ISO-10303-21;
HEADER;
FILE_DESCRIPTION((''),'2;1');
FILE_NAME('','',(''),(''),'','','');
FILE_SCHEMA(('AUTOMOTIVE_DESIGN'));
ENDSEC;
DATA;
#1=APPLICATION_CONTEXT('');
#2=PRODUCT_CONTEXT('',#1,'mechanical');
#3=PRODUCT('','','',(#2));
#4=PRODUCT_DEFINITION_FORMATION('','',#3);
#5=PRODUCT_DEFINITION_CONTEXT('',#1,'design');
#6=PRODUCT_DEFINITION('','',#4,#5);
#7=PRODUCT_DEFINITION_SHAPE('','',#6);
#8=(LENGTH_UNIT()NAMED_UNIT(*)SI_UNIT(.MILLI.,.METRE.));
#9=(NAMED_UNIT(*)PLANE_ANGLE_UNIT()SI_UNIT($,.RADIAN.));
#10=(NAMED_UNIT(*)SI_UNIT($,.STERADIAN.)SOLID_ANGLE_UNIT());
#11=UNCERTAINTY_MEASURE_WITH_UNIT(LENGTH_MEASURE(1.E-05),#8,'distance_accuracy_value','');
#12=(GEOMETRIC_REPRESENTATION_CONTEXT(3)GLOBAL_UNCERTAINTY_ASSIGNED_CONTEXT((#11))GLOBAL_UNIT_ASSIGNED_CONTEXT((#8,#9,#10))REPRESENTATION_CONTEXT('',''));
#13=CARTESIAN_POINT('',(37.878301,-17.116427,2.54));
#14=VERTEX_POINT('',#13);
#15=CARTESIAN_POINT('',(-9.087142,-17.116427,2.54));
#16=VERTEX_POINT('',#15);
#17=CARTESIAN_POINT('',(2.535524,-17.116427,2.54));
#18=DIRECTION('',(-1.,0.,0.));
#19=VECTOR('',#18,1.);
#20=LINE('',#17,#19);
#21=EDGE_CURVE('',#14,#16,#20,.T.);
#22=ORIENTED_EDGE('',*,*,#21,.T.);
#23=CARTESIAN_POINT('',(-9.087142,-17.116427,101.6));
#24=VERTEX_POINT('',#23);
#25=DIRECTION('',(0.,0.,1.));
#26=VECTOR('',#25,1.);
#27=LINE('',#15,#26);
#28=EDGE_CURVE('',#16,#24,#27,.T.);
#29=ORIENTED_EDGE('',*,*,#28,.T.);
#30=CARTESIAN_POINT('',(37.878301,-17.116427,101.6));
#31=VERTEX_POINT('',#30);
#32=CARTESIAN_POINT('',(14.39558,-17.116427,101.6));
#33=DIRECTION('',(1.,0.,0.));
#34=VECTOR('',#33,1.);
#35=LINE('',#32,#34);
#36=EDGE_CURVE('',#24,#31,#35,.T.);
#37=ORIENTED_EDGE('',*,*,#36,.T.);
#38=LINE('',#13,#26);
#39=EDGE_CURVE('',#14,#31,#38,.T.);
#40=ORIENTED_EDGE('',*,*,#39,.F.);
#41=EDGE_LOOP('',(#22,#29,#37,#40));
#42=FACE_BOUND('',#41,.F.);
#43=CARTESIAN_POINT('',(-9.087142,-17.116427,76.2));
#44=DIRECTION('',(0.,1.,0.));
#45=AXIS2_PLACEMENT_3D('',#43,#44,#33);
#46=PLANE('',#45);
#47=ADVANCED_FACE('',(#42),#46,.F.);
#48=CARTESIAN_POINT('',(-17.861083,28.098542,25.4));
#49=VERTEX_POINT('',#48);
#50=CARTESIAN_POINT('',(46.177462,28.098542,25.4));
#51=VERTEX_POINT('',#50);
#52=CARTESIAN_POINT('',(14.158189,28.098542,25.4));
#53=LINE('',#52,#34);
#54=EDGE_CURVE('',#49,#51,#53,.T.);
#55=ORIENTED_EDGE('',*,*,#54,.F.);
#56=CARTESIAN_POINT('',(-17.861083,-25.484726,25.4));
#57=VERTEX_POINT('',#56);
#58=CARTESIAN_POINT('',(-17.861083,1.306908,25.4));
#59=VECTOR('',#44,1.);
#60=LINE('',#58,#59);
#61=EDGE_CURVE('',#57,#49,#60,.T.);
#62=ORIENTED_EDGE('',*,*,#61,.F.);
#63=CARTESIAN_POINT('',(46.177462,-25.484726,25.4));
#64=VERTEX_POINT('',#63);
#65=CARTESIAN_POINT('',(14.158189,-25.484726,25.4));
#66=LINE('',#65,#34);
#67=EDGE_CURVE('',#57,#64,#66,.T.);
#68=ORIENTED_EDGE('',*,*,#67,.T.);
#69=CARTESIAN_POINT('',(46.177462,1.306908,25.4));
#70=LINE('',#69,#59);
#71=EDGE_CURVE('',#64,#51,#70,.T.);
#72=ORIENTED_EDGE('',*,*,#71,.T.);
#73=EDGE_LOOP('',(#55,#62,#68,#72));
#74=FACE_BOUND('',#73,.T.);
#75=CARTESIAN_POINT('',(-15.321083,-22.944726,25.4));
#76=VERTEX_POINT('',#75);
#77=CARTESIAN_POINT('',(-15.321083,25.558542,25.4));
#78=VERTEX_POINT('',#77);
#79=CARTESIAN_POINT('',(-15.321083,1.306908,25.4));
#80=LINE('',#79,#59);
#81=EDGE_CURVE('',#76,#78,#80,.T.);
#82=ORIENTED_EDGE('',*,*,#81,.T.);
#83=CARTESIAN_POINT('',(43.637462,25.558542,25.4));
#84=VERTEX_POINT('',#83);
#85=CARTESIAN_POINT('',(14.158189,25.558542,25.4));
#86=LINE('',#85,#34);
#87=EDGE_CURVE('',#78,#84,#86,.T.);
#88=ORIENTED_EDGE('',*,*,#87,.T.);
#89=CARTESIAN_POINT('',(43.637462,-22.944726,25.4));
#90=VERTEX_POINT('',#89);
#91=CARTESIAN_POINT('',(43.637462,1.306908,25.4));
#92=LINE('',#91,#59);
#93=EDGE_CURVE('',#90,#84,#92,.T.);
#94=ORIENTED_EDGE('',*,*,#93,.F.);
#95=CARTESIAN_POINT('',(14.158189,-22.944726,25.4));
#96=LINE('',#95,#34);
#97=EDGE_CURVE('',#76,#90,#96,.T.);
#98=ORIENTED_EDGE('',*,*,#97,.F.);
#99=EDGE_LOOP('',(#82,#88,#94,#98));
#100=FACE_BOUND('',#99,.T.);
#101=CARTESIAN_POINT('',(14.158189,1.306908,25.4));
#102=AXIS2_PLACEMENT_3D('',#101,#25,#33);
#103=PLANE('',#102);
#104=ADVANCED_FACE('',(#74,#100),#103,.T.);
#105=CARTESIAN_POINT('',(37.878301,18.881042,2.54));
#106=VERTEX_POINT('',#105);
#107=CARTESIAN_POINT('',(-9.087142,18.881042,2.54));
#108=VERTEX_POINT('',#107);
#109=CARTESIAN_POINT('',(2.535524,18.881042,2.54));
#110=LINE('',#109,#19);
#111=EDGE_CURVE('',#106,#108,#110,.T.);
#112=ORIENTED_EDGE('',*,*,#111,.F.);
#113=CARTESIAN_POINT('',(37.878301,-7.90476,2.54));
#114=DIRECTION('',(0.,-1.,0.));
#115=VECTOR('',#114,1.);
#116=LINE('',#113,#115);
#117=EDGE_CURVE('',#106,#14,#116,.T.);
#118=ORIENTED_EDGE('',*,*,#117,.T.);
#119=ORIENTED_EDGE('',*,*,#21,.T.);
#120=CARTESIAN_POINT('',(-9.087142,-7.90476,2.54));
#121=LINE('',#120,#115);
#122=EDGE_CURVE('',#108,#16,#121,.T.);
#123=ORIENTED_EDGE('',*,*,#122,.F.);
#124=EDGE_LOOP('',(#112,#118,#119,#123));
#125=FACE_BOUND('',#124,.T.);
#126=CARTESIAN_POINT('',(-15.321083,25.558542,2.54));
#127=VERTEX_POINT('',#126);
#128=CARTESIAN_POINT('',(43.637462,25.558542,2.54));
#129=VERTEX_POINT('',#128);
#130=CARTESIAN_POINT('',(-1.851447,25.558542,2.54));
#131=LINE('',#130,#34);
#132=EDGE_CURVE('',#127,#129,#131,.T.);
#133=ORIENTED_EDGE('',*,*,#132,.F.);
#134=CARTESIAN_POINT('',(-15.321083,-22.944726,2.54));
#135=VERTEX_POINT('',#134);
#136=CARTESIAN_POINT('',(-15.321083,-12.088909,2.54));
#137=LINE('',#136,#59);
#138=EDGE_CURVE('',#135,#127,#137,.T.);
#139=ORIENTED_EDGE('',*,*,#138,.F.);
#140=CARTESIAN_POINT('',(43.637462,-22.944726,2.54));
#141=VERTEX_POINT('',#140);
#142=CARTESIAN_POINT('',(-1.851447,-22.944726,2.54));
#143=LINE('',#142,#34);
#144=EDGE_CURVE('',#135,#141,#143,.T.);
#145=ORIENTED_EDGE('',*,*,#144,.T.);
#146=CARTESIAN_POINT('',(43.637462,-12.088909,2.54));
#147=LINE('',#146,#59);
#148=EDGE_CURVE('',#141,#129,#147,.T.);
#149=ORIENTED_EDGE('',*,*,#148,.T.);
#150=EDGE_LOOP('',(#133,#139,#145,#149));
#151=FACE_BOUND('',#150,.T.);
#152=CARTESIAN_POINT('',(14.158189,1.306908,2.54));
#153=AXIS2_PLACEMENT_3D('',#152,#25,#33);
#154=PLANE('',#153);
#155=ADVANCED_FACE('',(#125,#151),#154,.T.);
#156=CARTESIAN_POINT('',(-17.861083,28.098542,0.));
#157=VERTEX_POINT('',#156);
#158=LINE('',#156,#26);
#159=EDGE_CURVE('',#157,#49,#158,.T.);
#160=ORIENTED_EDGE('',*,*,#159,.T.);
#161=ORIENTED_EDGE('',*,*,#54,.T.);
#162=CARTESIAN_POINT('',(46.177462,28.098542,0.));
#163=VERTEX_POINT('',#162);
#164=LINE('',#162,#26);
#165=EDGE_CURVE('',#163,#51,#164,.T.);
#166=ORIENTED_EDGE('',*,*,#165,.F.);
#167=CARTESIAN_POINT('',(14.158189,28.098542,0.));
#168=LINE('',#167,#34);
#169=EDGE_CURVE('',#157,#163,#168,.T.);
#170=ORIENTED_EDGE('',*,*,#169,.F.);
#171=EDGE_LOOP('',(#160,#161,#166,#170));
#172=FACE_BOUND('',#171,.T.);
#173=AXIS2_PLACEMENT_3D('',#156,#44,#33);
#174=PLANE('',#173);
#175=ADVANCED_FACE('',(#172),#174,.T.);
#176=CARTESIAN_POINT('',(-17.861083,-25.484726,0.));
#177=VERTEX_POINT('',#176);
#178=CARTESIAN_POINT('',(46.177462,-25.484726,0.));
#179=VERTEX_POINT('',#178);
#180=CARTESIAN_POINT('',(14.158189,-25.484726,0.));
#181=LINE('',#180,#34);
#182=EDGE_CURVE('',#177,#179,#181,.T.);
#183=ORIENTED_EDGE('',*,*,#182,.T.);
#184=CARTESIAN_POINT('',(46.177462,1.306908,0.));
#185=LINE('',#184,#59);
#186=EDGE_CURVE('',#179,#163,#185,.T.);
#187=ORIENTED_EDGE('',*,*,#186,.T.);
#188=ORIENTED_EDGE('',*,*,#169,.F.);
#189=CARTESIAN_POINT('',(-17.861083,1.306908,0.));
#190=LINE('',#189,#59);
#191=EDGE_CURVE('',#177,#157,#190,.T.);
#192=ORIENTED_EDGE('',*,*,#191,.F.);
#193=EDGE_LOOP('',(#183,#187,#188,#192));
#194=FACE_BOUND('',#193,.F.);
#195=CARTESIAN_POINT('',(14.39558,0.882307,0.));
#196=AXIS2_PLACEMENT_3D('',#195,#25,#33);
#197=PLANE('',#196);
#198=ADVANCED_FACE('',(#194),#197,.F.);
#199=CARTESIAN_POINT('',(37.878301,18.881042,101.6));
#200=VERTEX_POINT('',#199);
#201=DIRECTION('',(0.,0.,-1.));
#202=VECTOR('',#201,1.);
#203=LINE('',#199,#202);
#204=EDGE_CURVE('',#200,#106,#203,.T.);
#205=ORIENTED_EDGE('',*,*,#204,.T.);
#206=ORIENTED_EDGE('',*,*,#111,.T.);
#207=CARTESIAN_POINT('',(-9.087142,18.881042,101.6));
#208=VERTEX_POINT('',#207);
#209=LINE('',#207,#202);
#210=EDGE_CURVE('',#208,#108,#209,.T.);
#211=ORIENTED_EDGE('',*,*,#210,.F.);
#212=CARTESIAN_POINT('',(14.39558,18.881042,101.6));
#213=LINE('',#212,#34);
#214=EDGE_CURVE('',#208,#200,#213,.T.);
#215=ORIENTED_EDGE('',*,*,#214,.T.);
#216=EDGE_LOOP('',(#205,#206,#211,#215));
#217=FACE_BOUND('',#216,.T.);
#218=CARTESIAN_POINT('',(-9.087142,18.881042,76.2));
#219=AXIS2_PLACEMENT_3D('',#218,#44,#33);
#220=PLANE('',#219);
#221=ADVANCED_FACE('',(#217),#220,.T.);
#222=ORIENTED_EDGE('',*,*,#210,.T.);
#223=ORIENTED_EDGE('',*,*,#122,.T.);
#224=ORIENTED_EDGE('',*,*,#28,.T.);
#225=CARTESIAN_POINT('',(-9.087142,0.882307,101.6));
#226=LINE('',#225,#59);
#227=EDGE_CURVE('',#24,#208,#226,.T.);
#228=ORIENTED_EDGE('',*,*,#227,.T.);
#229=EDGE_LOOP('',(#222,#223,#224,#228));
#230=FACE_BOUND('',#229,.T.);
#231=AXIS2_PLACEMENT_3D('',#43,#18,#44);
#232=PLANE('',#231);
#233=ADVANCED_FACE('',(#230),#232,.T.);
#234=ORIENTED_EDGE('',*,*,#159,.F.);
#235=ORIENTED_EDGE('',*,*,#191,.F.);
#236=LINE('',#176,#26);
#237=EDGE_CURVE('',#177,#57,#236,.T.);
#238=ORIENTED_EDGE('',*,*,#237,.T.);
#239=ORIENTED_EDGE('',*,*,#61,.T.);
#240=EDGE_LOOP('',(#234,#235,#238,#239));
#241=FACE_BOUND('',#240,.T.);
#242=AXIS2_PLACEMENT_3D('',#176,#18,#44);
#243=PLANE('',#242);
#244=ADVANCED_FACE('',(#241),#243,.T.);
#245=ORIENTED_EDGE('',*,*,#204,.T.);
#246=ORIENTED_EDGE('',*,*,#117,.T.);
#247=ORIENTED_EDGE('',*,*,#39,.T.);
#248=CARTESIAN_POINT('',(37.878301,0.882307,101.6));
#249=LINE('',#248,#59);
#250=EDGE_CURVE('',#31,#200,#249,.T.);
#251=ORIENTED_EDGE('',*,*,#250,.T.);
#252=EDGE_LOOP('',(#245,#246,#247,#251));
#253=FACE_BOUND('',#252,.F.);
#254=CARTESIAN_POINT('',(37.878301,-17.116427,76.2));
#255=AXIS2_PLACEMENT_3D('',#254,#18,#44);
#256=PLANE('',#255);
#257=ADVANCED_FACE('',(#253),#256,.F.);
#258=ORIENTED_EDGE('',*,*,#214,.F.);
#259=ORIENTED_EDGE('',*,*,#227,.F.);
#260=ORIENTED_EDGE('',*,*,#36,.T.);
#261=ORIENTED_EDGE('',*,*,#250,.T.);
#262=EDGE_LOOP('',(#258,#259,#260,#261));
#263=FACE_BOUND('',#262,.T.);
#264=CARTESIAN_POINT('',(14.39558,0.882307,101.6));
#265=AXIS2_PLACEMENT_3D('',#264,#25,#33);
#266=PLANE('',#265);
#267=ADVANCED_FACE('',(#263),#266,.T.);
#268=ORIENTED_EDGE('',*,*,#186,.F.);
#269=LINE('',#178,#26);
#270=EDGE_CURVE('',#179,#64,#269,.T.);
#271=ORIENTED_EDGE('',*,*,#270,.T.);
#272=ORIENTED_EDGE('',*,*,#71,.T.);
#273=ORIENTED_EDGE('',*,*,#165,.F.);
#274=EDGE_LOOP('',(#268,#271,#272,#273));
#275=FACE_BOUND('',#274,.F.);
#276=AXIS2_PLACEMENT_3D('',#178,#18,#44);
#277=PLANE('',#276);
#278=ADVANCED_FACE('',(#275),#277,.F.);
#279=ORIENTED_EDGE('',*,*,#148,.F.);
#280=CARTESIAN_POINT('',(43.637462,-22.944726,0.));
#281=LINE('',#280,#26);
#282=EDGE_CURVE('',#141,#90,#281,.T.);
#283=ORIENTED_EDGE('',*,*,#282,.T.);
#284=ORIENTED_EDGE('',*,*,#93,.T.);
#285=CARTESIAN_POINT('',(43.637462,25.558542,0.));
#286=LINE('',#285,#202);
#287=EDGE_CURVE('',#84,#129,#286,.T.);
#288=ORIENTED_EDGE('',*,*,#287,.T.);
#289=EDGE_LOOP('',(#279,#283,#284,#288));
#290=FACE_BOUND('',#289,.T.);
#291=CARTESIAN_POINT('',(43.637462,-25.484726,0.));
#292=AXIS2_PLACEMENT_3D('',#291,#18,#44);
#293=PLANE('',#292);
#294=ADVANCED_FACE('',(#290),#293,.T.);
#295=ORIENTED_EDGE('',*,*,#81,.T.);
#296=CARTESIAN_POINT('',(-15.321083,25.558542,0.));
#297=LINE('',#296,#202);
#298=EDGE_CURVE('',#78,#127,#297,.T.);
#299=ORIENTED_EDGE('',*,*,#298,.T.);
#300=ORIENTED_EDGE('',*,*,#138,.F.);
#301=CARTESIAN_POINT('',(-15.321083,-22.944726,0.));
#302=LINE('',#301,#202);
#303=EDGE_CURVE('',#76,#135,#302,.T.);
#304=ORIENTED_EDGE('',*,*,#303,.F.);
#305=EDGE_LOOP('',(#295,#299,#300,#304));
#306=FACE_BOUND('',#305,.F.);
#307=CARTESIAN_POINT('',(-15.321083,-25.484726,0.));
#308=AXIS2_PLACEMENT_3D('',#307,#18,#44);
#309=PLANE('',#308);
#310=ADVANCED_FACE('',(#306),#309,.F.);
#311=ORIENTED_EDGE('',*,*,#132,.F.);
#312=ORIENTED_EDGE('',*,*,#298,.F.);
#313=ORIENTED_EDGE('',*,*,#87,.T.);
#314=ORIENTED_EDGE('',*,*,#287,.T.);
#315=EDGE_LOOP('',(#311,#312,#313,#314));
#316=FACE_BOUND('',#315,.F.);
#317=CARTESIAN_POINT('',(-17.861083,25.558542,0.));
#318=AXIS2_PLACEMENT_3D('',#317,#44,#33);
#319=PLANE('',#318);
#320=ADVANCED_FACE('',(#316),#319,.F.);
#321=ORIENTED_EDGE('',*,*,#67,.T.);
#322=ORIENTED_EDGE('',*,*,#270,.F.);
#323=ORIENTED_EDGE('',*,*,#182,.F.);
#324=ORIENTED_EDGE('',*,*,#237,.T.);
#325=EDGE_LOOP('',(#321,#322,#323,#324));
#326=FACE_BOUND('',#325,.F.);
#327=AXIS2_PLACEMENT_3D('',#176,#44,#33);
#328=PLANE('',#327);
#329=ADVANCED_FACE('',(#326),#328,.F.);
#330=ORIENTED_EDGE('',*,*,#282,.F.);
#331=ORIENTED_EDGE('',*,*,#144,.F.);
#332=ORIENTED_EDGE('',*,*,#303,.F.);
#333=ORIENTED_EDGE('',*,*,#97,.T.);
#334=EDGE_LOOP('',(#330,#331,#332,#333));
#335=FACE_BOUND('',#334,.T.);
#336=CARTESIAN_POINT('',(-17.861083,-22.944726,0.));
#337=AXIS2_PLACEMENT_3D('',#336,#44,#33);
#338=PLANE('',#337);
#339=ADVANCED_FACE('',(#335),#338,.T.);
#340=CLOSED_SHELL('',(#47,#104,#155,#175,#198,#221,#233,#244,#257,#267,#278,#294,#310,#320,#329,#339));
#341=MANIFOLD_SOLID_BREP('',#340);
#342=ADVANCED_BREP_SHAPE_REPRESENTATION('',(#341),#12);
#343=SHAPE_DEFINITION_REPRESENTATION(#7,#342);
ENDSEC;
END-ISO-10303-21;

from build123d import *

# Parameters (mm, degrees)
F0_W     = 64.0385448933
F0_H     = 53.5832680762
F1_DEPTH = 25.4
F2_T     = -2.54
F3_W     = 46.9654425979
F3_H     = 35.9974689782
F4_DEPTH = 76.2
F5_W     = 46.9654425979
F5_H     = 35.9974689782
F6_DEPTH = 25.4


with BuildPart() as f1:
    # F0 (on Top) → F1 (new body)
    with BuildSketch(Plane.XY):
        with Locations((14.1581892967, 1.3069082052)):
            Rectangle(F0_W, F0_H)
    extrude(amount=F1_DEPTH)

    # F2
    f2_openings = [f1.faces().sort_by_distance(p)[0] for p in [
        (14.158189, 1.306908, 25.4),
    ]]
    offset(amount=F2_T, openings=f2_openings)

    # F3 (on Top) → F4 (join)
    with BuildSketch(Plane.XY):
        with Locations((14.3955796957, 0.8823070675)):
            Rectangle(F3_W, F3_H)
    extrude(amount=F4_DEPTH)

    # F5 (on face) → F6 (join)
    with BuildSketch(Plane.XY.offset(76.2)):
        with Locations((14.3955796957, 0.8823070675)):
            Rectangle(F5_W, F5_H)
    extrude(amount=F6_DEPTH)


solid = f1.part
